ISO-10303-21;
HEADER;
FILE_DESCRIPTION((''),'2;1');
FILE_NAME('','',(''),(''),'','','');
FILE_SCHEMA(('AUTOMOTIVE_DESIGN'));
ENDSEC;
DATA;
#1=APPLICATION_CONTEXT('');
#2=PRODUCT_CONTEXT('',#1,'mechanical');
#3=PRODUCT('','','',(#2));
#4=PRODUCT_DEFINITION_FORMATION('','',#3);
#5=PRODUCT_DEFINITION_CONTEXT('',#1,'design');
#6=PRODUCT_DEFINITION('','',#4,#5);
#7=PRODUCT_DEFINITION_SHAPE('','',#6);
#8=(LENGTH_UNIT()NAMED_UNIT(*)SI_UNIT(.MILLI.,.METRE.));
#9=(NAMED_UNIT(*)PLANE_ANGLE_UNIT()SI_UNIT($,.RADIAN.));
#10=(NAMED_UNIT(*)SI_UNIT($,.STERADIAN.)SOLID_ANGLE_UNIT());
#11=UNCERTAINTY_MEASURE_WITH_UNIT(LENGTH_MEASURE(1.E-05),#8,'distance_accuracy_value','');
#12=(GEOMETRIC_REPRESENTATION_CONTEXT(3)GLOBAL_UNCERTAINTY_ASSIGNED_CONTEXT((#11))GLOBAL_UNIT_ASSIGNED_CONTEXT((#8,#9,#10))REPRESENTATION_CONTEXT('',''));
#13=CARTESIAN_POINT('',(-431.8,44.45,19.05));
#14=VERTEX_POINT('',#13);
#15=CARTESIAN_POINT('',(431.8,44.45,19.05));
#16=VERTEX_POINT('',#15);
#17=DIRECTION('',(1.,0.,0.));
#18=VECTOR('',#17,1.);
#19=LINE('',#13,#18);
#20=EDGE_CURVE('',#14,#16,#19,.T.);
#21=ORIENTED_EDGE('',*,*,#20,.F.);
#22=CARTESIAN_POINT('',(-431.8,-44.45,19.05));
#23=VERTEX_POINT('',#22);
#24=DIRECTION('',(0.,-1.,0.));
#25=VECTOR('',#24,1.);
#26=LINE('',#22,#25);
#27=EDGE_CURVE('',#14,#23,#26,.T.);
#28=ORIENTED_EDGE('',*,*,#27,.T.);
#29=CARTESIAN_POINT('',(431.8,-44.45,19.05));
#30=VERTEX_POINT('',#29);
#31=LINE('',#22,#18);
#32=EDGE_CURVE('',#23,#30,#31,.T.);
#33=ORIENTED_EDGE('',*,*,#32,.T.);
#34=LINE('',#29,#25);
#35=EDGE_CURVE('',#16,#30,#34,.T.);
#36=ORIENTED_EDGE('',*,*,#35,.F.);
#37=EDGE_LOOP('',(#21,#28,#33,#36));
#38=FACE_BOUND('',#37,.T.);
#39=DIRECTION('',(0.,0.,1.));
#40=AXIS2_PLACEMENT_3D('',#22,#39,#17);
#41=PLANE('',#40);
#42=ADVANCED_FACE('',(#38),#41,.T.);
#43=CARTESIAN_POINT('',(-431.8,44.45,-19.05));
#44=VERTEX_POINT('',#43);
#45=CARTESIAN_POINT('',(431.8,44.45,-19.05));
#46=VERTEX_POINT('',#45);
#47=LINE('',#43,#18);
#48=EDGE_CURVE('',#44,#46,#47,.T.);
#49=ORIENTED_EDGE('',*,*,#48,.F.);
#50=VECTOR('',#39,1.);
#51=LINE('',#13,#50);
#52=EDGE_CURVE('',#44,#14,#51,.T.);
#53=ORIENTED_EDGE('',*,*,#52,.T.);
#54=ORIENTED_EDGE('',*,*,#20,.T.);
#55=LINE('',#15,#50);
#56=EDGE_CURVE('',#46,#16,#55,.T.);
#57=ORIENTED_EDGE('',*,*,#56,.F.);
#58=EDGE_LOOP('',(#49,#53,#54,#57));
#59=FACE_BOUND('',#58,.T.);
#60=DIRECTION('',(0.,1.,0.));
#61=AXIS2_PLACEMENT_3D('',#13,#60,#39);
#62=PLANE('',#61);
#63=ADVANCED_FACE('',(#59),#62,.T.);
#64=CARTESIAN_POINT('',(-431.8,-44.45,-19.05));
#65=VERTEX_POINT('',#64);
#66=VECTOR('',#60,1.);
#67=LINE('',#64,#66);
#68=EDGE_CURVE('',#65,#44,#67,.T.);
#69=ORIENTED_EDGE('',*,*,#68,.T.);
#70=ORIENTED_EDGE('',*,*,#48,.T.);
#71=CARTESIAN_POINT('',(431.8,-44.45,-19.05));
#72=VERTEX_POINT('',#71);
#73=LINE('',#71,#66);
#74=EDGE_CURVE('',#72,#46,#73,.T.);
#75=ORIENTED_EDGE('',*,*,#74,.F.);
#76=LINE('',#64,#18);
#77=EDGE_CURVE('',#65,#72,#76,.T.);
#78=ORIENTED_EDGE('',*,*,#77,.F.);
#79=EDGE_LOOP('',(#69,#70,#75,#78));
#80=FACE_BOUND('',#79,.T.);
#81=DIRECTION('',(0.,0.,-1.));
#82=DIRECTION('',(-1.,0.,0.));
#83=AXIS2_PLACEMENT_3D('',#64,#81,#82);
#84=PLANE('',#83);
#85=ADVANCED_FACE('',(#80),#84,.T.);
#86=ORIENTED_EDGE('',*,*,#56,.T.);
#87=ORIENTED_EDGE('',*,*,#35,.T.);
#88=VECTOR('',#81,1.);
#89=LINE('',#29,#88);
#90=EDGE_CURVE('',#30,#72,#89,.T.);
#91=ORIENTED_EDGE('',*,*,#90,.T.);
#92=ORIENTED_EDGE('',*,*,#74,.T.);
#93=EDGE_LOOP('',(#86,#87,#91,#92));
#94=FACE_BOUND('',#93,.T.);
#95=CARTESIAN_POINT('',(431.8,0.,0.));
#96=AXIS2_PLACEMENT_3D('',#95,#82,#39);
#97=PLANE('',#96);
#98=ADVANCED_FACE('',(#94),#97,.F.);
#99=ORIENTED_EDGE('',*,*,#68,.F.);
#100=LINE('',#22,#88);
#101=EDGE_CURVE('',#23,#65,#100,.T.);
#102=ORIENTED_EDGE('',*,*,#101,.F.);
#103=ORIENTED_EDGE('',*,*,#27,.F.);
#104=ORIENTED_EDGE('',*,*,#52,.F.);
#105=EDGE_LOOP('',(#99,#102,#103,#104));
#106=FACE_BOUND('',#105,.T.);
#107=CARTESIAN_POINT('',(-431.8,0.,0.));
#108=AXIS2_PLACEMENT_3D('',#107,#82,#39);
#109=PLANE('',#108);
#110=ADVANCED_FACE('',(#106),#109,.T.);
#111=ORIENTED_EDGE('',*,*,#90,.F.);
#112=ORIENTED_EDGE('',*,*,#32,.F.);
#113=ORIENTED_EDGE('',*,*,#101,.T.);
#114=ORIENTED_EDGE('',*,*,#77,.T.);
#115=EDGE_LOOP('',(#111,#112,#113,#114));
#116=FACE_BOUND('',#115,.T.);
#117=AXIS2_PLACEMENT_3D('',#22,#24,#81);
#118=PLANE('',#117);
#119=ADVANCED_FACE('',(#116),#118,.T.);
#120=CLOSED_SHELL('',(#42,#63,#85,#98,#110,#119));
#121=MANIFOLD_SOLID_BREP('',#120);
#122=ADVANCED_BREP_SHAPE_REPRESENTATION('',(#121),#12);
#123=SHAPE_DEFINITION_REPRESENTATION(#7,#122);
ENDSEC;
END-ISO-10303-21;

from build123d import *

# Parameters (mm, degrees)
SKETCH3_W                = 38.1
SKETCH3_H                = 88.9
BOSS_EXTRUDE1_DEPTH      = 431.8
BOSS_EXTRUDE1_DEPTH_BACK = 431.8


with BuildPart() as part:
    # Sketch3 → Boss-Extrude1 (new body, two sides)
    with BuildSketch(Plane(origin=(0, 0, 0), x_dir=(0, 0, -1), z_dir=(1, 0, 0))) as boss_extrude1_sk:
        Rectangle(SKETCH3_W, SKETCH3_H)
    extrude(amount=BOSS_EXTRUDE1_DEPTH)
    extrude(boss_extrude1_sk.sketch, amount=-BOSS_EXTRUDE1_DEPTH_BACK)


solid = part.part
